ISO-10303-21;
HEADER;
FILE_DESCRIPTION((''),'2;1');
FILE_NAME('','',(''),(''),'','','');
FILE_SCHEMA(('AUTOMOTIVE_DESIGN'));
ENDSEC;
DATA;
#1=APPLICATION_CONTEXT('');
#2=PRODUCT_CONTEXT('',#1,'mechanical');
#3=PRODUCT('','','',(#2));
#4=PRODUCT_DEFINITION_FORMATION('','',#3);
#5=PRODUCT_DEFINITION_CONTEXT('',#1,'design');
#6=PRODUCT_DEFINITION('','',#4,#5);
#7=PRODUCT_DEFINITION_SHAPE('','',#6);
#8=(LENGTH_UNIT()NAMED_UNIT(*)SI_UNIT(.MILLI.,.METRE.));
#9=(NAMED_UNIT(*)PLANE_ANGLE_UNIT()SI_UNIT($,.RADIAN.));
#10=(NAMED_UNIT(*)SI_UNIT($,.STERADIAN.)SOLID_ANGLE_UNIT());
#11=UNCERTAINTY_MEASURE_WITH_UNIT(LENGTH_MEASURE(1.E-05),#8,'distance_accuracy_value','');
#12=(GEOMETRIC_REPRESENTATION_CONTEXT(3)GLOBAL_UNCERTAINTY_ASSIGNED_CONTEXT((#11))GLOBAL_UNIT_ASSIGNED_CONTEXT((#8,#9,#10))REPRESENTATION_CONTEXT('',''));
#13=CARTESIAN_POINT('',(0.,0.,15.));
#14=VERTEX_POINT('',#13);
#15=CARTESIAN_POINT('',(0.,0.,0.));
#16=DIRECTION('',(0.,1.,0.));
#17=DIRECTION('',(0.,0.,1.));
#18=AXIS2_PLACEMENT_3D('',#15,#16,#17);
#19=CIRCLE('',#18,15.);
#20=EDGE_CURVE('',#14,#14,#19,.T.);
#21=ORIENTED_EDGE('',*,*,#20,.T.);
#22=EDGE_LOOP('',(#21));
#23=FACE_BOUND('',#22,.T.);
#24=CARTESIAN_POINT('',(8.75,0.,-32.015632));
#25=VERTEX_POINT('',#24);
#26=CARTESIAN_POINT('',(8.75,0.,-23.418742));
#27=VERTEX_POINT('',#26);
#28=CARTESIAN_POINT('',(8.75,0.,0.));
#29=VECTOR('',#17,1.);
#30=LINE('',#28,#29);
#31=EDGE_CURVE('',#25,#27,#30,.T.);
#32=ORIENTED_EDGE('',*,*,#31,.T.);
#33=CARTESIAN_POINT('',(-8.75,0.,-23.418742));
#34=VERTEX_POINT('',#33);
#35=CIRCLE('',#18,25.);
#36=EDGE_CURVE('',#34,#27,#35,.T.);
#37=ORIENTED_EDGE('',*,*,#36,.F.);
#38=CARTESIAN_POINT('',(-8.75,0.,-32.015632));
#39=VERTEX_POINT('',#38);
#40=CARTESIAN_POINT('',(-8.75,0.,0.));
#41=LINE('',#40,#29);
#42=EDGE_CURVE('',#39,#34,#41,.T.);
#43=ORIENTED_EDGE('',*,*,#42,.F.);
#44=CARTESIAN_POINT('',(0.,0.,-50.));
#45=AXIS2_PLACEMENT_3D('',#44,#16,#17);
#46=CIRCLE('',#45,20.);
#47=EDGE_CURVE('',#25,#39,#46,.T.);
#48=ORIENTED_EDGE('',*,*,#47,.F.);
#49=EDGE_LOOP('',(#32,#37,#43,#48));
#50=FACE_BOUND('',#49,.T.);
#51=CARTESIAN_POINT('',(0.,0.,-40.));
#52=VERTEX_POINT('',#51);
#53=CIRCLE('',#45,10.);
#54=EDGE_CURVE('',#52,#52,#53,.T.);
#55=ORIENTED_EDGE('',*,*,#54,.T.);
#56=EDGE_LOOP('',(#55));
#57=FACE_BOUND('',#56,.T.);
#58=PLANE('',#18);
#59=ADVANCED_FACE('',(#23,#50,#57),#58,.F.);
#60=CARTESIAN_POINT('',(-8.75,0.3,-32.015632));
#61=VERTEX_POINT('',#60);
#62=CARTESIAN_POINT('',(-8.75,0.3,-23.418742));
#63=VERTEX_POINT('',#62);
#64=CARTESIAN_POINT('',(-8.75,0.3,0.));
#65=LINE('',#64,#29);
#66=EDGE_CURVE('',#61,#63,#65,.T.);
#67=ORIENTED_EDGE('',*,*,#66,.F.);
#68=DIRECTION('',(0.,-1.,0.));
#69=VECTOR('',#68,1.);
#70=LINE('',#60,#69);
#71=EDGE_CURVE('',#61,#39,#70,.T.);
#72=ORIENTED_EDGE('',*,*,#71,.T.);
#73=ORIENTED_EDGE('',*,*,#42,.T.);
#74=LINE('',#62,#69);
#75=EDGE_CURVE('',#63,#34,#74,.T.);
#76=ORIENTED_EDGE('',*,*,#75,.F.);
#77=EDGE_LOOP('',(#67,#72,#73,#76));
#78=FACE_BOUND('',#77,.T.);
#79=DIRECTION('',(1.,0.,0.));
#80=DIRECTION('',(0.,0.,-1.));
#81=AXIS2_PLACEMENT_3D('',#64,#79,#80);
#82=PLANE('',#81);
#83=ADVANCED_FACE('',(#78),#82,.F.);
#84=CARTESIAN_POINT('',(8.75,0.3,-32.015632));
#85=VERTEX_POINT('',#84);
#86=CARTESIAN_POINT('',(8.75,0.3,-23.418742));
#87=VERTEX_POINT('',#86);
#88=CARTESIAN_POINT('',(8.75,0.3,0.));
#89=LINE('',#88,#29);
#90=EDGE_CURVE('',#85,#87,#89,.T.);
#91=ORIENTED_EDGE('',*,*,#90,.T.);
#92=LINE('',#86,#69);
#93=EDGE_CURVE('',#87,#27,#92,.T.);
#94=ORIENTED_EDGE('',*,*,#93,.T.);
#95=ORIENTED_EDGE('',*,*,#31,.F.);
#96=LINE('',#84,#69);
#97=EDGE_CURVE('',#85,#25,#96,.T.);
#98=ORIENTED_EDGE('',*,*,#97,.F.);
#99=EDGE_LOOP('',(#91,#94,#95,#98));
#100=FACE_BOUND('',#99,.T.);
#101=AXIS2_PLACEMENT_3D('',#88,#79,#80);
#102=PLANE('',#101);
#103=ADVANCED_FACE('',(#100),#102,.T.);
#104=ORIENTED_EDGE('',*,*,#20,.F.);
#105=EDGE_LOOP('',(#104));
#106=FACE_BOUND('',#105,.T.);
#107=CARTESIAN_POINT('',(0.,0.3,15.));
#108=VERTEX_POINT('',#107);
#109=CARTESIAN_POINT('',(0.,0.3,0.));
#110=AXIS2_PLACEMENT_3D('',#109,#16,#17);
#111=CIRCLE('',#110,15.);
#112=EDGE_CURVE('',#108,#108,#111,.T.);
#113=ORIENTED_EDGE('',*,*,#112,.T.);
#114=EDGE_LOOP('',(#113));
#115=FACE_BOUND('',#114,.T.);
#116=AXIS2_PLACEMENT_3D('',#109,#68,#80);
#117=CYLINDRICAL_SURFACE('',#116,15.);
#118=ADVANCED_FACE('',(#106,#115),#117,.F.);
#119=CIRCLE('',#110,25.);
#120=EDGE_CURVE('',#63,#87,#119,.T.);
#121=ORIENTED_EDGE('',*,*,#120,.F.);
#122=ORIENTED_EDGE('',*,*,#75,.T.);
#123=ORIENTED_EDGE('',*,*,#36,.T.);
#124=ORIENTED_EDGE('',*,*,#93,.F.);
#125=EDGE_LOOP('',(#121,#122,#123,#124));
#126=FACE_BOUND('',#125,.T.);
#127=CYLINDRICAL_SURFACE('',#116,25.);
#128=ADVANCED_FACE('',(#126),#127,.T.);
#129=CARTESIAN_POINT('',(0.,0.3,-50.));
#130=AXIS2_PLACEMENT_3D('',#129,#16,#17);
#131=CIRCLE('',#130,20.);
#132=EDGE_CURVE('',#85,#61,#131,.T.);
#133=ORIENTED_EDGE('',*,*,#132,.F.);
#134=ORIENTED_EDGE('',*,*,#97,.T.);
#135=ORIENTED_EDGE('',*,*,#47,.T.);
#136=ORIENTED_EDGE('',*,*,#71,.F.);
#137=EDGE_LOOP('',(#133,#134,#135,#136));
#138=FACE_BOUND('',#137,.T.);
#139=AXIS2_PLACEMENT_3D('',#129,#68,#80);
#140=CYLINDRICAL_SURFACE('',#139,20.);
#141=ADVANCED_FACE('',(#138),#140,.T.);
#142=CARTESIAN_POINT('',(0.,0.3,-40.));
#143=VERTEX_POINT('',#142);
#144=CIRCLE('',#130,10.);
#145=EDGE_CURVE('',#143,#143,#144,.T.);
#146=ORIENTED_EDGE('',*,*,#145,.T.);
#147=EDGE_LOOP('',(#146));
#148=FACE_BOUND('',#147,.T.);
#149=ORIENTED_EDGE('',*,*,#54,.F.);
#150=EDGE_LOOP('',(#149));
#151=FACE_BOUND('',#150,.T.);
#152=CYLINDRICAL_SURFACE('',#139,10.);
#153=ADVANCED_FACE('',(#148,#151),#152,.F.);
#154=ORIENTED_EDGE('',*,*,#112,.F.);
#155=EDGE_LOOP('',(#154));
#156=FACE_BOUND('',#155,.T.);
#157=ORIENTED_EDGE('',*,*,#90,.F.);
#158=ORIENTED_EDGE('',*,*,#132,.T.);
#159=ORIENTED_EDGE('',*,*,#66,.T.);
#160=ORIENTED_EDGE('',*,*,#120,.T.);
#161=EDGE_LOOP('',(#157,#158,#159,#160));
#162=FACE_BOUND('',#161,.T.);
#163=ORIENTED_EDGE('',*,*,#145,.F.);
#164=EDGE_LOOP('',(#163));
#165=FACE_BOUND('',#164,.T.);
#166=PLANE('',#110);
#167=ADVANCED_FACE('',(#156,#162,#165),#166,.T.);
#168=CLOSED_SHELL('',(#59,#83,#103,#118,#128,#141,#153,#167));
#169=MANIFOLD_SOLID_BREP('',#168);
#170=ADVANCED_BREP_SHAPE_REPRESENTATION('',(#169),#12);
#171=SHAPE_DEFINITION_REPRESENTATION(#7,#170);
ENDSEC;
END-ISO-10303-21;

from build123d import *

# Parameters (mm, degrees)
SKETCH1_R           = 20
SKETCH1_R_2         = 10
SKETCH1_R_3         = 25
SKETCH1_R_4         = 15
SKETCH1_W           = 17.5
SKETCH1_H           = 25
BOSS_EXTRUDE1_DEPTH = 0.3


with BuildPart() as part:
    # Sketch1 → Boss-Extrude1 (new body)
    with BuildSketch(Plane(origin=(0, 0, 0), x_dir=(1, 0, 0), z_dir=(0, 1, 0))):
        with Locations((0, 50)):
            Circle(SKETCH1_R)
        with Locations((0, 50)):
            Circle(SKETCH1_R_2, mode=Mode.SUBTRACT)
        Circle(SKETCH1_R_3)
        Circle(SKETCH1_R_4, mode=Mode.SUBTRACT)
        with Locations((0, 27.5)):
            Rectangle(SKETCH1_W, SKETCH1_H)
    extrude(amount=BOSS_EXTRUDE1_DEPTH)


solid = part.part
